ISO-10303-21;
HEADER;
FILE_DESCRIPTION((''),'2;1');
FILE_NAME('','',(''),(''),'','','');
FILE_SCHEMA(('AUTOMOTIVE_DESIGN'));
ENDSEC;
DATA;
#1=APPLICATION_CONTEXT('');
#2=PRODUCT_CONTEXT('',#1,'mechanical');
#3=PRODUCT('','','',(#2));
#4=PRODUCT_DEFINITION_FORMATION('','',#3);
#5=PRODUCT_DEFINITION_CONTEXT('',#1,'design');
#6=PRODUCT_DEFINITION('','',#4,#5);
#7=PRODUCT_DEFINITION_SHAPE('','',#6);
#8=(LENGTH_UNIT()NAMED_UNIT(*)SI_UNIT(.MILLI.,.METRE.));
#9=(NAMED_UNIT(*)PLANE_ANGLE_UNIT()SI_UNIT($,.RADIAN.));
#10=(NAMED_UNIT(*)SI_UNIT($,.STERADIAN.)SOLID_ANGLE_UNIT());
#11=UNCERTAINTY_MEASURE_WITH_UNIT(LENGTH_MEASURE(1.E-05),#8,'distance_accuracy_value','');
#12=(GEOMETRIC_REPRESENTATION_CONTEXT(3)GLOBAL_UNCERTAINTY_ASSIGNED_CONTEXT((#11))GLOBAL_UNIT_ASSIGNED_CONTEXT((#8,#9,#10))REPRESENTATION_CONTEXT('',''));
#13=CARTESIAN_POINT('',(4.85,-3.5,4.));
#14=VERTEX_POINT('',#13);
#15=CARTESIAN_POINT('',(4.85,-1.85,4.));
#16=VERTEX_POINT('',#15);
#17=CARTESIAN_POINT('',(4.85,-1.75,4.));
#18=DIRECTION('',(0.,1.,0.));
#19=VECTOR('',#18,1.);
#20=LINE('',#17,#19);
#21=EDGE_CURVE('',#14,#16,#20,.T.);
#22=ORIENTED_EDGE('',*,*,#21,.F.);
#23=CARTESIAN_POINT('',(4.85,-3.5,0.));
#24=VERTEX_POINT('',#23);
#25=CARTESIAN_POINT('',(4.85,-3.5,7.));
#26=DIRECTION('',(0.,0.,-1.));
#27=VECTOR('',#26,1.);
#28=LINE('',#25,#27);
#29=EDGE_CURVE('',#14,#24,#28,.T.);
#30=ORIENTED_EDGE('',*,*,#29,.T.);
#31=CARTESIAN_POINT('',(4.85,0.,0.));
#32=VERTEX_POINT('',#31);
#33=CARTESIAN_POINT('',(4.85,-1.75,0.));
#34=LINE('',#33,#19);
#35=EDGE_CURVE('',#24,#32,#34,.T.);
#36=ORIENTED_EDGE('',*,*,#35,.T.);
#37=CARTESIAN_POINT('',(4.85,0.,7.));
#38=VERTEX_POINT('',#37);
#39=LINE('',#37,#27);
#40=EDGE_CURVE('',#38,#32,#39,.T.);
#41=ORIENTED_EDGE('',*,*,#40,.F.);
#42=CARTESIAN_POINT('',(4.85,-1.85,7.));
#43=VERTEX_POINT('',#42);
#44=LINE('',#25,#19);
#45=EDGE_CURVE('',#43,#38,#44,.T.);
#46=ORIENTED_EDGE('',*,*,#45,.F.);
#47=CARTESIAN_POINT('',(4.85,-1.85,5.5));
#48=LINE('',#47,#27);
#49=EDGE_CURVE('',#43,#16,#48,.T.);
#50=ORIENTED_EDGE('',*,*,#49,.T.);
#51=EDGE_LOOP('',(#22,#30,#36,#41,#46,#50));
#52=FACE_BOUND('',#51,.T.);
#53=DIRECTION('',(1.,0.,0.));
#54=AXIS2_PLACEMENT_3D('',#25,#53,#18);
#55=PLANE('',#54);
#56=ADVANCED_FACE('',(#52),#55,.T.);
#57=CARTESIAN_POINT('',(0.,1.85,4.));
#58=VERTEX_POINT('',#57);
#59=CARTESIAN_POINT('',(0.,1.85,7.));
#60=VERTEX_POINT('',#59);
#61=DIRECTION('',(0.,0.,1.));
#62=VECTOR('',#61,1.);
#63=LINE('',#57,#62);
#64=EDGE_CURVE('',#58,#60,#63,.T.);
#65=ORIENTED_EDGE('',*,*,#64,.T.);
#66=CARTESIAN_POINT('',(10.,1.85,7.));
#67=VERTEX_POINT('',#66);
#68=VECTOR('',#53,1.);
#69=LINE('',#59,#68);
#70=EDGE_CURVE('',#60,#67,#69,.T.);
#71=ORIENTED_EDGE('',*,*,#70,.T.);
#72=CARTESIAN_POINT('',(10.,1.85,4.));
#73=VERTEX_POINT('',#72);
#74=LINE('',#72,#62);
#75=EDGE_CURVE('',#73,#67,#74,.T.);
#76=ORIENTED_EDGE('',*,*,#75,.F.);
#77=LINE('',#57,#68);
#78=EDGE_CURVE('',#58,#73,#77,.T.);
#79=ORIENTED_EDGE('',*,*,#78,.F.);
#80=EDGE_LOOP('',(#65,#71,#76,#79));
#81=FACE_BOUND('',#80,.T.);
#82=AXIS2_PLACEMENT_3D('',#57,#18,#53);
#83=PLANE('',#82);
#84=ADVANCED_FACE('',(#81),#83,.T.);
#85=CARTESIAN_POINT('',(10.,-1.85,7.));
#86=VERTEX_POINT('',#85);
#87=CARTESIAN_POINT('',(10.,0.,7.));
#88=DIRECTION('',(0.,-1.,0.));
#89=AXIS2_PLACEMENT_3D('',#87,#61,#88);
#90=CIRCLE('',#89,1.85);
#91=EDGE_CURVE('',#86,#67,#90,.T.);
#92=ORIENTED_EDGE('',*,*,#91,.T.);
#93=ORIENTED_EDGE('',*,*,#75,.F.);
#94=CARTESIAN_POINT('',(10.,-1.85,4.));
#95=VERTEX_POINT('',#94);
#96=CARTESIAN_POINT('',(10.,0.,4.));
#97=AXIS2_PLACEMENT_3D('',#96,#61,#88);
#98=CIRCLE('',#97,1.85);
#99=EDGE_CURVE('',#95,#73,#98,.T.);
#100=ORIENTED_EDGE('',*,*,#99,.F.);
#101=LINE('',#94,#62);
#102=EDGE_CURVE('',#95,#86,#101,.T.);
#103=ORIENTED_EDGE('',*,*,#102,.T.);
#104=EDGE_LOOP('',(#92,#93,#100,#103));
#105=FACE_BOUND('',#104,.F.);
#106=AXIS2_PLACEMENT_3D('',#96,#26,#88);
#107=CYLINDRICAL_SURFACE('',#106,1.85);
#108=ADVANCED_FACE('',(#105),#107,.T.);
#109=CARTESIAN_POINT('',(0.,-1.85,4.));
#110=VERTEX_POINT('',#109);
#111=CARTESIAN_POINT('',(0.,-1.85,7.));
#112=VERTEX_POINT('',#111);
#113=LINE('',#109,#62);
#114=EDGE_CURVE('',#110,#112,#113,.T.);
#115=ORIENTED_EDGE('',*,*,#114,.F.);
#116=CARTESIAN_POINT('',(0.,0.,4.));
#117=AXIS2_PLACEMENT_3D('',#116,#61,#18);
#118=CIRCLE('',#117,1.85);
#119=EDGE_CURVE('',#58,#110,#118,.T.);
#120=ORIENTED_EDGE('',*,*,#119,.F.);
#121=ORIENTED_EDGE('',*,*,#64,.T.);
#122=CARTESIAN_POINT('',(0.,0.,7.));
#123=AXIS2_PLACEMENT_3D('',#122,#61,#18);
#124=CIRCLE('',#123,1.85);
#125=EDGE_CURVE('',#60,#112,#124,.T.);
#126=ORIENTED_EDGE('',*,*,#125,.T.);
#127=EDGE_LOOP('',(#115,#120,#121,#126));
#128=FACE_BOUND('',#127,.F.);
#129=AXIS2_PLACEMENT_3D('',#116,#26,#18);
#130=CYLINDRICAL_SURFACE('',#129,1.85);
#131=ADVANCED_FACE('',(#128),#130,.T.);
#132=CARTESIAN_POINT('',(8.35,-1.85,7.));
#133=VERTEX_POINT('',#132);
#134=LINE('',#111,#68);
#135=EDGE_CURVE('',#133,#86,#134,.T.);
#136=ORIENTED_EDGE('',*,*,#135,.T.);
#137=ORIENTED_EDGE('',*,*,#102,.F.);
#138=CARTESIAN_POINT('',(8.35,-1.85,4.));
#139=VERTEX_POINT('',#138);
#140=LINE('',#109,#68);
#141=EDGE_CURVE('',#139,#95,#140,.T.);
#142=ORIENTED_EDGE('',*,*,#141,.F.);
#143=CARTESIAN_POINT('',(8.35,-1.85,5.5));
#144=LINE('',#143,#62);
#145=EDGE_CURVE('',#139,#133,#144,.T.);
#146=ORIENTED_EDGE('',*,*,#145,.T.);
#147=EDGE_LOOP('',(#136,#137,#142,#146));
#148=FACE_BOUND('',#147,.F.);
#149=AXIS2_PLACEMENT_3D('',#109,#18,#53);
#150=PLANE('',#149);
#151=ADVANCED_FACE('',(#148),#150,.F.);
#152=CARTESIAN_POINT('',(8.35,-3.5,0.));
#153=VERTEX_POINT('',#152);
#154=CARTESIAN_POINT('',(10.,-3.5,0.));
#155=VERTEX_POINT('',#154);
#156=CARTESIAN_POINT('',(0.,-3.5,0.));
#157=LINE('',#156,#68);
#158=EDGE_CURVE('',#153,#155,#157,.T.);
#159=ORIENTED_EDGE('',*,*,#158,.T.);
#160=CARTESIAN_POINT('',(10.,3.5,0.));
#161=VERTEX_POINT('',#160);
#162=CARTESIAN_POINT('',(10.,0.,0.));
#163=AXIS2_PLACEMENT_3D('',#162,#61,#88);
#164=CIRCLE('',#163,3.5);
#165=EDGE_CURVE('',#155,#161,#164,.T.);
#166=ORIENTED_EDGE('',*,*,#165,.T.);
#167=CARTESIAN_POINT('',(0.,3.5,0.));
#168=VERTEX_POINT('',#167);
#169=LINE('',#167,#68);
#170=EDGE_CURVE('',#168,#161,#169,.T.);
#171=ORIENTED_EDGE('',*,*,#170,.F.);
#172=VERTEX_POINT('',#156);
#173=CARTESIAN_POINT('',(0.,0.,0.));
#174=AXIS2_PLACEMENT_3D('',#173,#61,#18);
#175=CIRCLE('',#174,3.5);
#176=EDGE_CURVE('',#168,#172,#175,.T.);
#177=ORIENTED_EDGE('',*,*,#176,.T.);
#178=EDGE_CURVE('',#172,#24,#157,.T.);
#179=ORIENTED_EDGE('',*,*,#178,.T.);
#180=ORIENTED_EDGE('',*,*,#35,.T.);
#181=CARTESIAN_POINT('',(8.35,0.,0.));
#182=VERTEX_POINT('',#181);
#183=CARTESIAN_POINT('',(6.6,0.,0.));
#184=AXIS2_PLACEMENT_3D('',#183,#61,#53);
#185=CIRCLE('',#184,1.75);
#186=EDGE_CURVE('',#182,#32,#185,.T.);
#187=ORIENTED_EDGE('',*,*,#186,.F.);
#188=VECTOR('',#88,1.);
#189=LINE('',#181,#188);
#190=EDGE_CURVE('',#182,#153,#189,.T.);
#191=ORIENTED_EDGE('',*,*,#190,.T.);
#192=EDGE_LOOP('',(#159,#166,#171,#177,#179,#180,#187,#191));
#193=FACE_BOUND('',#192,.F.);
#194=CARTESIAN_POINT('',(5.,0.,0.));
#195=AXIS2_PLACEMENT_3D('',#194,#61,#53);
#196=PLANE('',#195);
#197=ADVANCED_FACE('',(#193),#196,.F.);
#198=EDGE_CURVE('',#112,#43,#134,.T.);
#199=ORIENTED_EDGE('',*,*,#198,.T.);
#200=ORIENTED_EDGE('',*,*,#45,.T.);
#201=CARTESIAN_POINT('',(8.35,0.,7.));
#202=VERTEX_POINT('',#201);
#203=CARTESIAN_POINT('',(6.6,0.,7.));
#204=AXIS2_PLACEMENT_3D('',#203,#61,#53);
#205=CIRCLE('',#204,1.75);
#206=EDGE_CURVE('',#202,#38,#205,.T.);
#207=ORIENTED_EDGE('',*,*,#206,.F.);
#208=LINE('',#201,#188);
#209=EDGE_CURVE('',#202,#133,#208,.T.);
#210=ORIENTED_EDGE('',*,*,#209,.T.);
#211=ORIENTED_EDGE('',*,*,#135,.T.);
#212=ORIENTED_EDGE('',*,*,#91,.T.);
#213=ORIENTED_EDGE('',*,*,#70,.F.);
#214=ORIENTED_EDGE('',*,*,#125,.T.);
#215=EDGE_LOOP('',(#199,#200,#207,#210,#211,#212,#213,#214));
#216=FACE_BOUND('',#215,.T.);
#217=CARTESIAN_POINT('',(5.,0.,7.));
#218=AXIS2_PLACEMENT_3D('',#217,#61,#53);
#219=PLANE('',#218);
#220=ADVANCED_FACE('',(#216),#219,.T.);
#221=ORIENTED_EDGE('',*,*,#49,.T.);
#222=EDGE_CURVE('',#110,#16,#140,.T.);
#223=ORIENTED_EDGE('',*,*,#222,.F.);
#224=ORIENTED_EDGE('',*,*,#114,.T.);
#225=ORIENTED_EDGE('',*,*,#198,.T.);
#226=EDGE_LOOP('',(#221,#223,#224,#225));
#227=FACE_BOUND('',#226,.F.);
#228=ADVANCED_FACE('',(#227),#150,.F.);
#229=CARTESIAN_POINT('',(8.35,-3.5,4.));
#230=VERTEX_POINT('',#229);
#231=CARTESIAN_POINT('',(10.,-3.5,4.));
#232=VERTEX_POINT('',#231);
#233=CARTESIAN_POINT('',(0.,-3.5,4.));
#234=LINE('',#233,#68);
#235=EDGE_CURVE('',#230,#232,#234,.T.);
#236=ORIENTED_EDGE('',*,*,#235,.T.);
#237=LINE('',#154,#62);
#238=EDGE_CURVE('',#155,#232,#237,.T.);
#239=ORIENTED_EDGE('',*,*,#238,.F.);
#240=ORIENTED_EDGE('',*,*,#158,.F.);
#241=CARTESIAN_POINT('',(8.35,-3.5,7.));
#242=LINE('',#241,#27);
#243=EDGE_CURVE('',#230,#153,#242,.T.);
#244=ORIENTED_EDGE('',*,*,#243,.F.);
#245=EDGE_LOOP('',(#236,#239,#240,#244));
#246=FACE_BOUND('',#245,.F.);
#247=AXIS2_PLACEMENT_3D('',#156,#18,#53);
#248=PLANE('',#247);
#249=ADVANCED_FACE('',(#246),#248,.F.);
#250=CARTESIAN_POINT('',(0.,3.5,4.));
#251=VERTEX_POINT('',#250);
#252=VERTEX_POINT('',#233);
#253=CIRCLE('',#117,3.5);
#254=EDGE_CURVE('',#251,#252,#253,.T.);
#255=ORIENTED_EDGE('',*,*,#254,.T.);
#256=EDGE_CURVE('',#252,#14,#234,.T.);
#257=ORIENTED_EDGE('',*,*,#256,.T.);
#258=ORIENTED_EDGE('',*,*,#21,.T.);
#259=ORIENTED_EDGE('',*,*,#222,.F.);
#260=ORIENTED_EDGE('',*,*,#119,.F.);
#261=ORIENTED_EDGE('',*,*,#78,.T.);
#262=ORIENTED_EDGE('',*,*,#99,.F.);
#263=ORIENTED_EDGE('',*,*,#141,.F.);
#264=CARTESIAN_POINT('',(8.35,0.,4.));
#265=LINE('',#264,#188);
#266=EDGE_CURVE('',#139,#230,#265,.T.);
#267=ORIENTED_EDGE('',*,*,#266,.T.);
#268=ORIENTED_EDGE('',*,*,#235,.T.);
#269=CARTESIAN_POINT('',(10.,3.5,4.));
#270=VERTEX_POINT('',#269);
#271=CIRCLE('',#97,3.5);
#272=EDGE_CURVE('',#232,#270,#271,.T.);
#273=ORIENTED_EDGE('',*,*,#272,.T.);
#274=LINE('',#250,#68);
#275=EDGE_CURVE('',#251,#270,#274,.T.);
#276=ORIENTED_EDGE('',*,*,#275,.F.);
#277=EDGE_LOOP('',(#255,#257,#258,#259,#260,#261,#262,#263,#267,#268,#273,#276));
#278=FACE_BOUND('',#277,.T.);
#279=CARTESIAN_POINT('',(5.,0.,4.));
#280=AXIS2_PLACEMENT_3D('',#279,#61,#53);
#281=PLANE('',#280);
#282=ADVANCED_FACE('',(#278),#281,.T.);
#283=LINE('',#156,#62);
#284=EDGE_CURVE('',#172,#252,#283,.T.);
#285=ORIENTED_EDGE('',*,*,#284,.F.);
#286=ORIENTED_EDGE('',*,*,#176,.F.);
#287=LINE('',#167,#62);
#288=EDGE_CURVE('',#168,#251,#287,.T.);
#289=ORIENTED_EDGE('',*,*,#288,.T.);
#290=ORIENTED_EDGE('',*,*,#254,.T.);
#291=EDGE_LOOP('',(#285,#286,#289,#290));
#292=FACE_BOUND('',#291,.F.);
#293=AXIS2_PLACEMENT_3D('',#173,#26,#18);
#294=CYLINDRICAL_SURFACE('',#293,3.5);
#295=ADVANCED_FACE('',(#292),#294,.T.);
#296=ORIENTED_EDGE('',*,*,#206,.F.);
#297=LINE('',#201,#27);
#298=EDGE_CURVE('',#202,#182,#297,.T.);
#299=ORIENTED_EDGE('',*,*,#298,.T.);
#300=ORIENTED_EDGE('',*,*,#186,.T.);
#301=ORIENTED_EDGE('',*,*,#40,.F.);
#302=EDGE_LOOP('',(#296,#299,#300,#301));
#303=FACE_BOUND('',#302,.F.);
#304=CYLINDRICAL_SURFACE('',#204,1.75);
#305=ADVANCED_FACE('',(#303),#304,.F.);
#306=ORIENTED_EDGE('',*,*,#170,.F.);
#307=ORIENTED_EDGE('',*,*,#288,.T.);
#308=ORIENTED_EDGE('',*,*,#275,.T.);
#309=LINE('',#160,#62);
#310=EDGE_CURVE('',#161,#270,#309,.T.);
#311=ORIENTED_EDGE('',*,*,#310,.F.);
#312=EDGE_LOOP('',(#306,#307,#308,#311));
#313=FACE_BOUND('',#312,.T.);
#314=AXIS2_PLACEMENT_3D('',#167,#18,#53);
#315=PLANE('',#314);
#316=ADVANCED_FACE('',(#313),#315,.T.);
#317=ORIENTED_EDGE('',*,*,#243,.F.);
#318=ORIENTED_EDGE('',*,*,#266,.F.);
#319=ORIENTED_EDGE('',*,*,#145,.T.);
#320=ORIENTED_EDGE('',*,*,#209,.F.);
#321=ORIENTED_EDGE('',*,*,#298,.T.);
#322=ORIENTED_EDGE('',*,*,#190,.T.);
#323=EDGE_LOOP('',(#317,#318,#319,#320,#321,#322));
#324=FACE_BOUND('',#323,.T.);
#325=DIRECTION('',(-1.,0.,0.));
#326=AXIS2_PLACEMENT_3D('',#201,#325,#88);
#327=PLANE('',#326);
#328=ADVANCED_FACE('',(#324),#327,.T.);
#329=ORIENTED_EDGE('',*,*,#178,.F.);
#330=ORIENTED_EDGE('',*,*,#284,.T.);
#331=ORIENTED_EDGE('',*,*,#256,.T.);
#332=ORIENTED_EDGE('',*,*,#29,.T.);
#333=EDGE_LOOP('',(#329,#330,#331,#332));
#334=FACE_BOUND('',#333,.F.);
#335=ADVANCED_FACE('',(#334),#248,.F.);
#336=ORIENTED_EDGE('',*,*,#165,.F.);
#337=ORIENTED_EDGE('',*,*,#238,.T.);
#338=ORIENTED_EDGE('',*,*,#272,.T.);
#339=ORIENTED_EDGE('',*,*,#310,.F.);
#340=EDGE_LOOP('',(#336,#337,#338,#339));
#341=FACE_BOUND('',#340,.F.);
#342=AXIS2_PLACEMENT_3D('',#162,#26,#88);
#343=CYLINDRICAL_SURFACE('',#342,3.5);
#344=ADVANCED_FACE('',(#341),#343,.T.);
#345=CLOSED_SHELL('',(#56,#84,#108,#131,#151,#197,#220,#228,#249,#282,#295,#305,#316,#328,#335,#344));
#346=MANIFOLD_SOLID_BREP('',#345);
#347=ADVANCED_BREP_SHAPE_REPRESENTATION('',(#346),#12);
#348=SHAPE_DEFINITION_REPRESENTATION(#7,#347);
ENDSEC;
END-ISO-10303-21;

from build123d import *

# Parameters (mm, degrees)
PAD_DEPTH    = 4
PAD001_DEPTH = 3
POCKET_DEPTH = 7.001


with BuildPart() as part:
    # Sketch → Pad (new body)
    with BuildSketch(Plane.XY):
        with BuildLine():
            ThreePointArc((0, 3.5), (-3.5, 0), (0, -3.5))
            Line((0, -3.5), (10, -3.5))
            ThreePointArc((10, -3.5), (13.5, 0), (10, 3.5))
            Line((0, 3.5), (10, 3.5))
        make_face()
    extrude(amount=PAD_DEPTH)

    # Sketch001 (on Face6 of Pad) → Pad001 (join)
    with BuildSketch(Plane.XY.offset(4)):
        with BuildLine():
            ThreePointArc((0, 1.85), (-1.85, 0), (0, -1.85))
            Line((0, -1.85), (10, -1.85))
            ThreePointArc((10, -1.85), (11.85, 0), (10, 1.85))
            Line((0, 1.85), (10, 1.85))
        make_face()
    extrude(amount=PAD001_DEPTH)

    # Sketch002 (on Face11 of Pad001) → Pocket (cut, through all)
    with BuildSketch(Plane.XY.offset(7)):
        with BuildLine():
            ThreePointArc((8.35, 0), (6.6, 1.75), (4.85, 0))
            Line((4.85, -3.5), (4.85, 0))
            Line((8.35, -3.5), (4.85, -3.5))
            Line((8.35, 0), (8.35, -3.5))
        make_face()
    extrude(amount=-POCKET_DEPTH, mode=Mode.SUBTRACT)


solid = part.part
